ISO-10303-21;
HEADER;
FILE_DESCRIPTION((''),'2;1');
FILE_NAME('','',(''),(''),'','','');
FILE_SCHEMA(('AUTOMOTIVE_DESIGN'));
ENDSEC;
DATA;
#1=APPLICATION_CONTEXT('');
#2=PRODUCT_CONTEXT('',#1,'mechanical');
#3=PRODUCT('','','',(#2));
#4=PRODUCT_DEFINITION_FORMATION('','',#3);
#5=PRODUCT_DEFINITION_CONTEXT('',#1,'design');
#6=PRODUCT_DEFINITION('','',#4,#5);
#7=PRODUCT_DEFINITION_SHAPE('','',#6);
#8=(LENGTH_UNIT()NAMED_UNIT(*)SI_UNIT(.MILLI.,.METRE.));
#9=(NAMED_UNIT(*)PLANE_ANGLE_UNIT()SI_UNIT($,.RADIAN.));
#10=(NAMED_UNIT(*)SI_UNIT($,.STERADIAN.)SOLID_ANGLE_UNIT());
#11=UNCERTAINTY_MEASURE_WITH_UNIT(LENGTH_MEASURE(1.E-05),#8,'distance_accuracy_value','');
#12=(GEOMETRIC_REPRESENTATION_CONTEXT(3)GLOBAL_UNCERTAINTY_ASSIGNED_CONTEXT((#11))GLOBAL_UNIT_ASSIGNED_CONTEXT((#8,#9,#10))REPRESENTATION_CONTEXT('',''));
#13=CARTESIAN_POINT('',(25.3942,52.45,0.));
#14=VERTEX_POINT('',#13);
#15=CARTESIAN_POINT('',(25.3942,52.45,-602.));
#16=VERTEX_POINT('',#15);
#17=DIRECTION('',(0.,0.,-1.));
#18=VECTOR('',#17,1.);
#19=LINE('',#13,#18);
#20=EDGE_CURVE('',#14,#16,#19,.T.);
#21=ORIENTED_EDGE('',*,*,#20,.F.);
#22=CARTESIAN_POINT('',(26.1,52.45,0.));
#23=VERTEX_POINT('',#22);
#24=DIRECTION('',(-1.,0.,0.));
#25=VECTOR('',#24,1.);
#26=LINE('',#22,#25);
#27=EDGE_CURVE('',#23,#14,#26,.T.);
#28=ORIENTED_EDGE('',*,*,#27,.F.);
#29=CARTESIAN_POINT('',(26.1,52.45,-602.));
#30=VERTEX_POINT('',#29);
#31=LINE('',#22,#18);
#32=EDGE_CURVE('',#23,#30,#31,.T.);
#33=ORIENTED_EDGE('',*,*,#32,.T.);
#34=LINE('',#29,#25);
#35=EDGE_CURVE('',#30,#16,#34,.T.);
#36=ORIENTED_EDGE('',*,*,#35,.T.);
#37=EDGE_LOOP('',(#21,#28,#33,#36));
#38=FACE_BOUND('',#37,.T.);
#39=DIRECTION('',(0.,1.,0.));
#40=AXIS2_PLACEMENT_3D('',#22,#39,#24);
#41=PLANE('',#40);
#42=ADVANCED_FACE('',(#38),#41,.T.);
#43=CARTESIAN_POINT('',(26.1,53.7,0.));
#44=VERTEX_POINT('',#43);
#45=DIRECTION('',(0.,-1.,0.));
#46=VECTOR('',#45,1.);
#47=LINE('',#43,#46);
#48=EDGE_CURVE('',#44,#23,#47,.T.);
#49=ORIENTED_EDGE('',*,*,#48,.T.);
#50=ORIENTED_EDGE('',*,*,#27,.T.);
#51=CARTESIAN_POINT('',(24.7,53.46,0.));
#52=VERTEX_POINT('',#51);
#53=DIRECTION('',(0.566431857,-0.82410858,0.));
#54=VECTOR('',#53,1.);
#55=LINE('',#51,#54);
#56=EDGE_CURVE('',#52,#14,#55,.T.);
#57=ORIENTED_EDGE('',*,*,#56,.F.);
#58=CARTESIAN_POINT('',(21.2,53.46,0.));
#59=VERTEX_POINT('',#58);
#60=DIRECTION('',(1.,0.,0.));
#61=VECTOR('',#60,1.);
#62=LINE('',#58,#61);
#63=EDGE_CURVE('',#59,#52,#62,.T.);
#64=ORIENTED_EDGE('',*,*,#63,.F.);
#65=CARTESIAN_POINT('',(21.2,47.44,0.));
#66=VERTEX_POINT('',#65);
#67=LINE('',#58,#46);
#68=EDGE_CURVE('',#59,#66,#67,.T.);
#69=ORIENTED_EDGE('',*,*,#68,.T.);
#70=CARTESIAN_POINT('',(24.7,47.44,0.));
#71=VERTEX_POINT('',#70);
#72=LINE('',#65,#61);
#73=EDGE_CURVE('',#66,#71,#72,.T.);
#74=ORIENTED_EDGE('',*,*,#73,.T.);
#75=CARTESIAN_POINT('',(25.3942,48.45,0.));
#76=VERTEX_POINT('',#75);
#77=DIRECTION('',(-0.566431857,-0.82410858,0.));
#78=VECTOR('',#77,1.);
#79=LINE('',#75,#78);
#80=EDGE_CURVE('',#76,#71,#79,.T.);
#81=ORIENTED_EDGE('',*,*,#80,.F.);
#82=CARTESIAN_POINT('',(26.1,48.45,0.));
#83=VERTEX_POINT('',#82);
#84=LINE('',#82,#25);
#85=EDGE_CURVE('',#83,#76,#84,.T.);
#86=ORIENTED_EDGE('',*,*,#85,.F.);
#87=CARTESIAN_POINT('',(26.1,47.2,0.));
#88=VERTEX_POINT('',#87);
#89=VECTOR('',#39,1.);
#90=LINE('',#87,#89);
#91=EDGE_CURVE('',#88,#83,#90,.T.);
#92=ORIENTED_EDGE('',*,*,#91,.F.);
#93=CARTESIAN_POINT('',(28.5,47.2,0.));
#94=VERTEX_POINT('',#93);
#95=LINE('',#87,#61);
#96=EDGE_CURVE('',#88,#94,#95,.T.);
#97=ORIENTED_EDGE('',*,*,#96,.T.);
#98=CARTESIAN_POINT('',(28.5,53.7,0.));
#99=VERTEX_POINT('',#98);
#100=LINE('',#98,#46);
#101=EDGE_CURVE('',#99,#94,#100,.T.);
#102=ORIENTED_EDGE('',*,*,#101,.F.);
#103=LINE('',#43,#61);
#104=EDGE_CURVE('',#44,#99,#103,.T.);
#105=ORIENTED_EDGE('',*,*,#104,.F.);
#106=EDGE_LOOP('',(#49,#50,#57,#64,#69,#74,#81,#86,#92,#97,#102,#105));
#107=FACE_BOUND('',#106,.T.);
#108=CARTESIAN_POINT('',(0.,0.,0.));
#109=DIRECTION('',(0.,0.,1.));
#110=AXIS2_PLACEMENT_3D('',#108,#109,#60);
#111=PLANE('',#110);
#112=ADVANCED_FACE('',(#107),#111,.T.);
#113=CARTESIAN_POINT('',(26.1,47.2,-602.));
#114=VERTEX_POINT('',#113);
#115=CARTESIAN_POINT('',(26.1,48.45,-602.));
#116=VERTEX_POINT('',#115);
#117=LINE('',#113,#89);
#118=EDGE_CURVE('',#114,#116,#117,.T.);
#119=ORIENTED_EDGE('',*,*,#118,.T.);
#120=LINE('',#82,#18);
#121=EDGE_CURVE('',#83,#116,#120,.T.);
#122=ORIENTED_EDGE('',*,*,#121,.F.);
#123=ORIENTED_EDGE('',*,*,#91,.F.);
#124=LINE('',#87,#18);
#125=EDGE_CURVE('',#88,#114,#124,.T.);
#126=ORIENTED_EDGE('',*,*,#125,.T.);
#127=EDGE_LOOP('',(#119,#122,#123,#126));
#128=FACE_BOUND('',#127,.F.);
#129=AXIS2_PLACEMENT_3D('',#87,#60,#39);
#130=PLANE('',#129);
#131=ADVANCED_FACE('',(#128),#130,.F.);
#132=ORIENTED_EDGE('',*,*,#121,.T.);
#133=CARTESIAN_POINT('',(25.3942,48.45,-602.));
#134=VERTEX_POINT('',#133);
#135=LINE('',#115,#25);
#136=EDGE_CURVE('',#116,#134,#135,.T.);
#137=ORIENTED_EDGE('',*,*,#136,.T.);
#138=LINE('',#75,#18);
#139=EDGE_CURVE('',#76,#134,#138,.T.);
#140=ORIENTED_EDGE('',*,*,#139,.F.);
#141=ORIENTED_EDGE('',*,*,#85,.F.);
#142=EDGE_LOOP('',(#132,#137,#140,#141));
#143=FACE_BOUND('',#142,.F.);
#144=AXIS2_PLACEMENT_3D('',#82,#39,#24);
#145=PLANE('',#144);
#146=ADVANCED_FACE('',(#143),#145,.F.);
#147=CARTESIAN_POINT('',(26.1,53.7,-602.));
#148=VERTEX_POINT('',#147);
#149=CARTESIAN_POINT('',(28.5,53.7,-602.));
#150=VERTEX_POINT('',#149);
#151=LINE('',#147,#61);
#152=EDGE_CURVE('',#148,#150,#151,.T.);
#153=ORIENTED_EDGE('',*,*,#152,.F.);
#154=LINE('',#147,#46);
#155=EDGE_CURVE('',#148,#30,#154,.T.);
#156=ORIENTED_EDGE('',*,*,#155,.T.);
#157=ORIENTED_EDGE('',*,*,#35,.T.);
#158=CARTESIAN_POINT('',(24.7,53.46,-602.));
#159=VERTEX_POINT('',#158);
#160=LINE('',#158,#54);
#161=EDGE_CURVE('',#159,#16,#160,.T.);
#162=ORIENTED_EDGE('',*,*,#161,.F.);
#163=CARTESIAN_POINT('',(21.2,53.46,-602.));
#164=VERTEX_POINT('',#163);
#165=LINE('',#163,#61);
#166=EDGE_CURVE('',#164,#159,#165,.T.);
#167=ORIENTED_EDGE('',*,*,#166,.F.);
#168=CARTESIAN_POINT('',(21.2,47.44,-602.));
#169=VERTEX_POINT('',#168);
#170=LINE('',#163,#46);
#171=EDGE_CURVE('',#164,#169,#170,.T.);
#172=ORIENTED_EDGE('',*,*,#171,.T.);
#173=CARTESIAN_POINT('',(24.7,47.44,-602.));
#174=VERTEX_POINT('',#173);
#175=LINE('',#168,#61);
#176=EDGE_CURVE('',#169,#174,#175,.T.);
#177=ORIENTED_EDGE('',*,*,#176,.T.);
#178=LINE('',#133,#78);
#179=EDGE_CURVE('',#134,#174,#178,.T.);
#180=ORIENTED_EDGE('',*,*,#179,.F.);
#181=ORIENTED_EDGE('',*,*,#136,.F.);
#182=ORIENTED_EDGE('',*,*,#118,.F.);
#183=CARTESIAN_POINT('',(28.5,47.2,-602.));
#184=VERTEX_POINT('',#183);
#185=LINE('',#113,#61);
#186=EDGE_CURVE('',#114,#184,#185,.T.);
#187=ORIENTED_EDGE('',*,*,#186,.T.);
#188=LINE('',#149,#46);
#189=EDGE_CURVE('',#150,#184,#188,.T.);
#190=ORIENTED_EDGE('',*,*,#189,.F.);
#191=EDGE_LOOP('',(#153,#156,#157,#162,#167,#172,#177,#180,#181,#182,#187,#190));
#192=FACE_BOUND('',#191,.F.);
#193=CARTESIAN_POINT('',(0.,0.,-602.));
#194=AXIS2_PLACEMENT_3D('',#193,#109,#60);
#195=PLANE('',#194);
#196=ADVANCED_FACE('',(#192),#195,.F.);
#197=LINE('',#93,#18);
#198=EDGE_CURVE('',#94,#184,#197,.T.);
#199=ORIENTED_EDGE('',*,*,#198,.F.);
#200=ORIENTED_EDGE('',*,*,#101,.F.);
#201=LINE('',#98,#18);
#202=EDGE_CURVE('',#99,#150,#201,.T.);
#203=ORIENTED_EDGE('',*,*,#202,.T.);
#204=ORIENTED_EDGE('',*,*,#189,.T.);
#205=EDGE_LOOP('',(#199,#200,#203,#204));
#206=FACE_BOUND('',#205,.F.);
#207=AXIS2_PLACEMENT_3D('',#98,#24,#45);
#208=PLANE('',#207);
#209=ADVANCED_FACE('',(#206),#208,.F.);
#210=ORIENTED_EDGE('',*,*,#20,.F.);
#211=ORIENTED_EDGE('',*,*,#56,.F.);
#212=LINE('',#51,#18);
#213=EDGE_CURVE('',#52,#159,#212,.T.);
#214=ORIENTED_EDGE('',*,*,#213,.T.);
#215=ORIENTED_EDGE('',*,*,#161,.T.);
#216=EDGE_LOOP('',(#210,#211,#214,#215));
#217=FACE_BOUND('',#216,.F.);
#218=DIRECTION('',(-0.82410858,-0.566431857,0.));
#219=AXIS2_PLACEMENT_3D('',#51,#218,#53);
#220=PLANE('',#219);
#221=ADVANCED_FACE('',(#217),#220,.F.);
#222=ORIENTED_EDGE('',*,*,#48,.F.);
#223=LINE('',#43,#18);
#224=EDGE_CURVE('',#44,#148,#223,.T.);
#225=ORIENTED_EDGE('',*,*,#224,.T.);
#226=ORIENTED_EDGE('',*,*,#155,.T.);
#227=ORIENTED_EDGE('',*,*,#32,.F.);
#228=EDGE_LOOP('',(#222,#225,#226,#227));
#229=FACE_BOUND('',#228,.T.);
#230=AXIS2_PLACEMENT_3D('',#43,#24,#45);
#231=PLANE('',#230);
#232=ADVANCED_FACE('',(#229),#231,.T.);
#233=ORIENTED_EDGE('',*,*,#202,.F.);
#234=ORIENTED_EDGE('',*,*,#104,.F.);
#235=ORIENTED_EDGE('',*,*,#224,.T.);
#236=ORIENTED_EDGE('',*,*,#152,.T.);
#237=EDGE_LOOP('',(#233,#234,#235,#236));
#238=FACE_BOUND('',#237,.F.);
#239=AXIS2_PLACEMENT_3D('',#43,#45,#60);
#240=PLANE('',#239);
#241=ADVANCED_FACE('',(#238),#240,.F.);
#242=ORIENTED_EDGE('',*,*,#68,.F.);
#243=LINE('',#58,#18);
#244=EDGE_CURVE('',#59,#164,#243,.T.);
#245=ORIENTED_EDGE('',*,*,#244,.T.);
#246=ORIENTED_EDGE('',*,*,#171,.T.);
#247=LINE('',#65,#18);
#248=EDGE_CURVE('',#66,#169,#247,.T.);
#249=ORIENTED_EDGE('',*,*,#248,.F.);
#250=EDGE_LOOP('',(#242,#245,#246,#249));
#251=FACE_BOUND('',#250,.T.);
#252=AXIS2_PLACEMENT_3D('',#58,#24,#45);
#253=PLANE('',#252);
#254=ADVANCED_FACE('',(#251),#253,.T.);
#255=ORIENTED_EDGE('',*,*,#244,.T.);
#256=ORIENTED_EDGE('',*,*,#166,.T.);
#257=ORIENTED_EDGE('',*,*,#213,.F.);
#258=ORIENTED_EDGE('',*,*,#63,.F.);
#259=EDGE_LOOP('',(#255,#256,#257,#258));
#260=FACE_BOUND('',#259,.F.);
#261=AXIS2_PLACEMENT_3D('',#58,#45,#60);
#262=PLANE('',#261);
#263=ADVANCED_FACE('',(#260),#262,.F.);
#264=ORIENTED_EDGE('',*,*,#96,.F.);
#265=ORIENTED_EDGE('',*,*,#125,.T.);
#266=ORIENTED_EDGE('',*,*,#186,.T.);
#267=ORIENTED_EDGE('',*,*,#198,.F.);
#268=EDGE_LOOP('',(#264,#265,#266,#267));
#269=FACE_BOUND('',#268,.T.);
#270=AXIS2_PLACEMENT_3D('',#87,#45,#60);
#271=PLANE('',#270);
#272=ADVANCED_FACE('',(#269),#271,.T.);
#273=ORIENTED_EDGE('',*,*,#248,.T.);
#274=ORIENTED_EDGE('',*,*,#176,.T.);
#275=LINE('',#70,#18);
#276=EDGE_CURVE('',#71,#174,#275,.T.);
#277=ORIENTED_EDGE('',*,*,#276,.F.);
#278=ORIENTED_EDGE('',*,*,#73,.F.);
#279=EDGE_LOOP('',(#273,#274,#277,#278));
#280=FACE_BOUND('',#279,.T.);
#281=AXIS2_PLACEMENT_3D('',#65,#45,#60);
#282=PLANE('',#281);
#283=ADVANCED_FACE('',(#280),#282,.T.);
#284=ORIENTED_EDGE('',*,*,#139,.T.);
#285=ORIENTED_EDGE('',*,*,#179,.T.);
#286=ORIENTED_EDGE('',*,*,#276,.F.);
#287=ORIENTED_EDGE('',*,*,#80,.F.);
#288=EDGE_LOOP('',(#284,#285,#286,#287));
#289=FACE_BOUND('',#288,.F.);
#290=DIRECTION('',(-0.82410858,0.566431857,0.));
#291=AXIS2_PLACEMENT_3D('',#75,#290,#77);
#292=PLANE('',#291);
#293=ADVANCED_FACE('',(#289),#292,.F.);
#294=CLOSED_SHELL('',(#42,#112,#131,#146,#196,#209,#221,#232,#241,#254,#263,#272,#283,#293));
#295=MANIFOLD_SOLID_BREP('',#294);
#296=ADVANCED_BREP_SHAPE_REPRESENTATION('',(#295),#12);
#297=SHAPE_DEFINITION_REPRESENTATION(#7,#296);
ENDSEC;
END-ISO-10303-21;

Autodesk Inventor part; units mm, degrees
ref_plane "YZ Plane" through (0, 0, 0) normal (1, 0, 0) x (0, 1, 0)
ref_plane "XZ Plane" through (0, 0, 0) normal (0, 1, 0) x (-1, 0, 0)
ref_plane "XY Plane" through (0, 0, 0) normal (0, 0, 1) x (1, 0, 0)
sketch "Boceto1" plane through (0, 0, 0) normal (0, 0, 1) x (1, 0, 0)
  line L0 (28.5, 53.7) -> (28.5, 47.2)
  line L1 (26.1, 47.2) -> (28.5, 47.2)
  line L2 (26.1, 48.45) -> (25.3942, 48.45)
  line L3 (25.3942, 48.45) -> (24.7, 47.44)
  line L4 (26.1, 52.45) -> (25.3942, 52.45)
  line L5 (26.1, 53.7) -> (28.5, 53.7)
  line L6 (24.7, 53.46) -> (25.3942, 52.45)
  line L7 (26.1, 53.7) -> (26.1, 52.45)
  line L8 (26.1, 47.2) -> (26.1, 48.45)
  line L9 (21.2, 53.46) -> (24.7, 53.46)
  line L10 (21.2, 47.44) -> (24.7, 47.44)
  line L11 (21.2, 53.46) -> (21.2, 47.44)
  point P0 (28.5, 50.45)
  dimension "d78" = 6.5
  dimension "d88" = 2.4
  dimension "d95" = 6.02
  dimension "d100" = 2.4
  dimension "d108" = 4
  dimension "d109" = 0.7058
  dimension "d110" = 0.7058
  dimension "d145" = 2
  dimension "d146" = 2
  dimension "d150" = 3.5
extrude "Extrusión1" add sketch "Boceto1" against normal blind 602
properties part number "SP40-02 JUNTA INT 207" material "Caucho, negro"
